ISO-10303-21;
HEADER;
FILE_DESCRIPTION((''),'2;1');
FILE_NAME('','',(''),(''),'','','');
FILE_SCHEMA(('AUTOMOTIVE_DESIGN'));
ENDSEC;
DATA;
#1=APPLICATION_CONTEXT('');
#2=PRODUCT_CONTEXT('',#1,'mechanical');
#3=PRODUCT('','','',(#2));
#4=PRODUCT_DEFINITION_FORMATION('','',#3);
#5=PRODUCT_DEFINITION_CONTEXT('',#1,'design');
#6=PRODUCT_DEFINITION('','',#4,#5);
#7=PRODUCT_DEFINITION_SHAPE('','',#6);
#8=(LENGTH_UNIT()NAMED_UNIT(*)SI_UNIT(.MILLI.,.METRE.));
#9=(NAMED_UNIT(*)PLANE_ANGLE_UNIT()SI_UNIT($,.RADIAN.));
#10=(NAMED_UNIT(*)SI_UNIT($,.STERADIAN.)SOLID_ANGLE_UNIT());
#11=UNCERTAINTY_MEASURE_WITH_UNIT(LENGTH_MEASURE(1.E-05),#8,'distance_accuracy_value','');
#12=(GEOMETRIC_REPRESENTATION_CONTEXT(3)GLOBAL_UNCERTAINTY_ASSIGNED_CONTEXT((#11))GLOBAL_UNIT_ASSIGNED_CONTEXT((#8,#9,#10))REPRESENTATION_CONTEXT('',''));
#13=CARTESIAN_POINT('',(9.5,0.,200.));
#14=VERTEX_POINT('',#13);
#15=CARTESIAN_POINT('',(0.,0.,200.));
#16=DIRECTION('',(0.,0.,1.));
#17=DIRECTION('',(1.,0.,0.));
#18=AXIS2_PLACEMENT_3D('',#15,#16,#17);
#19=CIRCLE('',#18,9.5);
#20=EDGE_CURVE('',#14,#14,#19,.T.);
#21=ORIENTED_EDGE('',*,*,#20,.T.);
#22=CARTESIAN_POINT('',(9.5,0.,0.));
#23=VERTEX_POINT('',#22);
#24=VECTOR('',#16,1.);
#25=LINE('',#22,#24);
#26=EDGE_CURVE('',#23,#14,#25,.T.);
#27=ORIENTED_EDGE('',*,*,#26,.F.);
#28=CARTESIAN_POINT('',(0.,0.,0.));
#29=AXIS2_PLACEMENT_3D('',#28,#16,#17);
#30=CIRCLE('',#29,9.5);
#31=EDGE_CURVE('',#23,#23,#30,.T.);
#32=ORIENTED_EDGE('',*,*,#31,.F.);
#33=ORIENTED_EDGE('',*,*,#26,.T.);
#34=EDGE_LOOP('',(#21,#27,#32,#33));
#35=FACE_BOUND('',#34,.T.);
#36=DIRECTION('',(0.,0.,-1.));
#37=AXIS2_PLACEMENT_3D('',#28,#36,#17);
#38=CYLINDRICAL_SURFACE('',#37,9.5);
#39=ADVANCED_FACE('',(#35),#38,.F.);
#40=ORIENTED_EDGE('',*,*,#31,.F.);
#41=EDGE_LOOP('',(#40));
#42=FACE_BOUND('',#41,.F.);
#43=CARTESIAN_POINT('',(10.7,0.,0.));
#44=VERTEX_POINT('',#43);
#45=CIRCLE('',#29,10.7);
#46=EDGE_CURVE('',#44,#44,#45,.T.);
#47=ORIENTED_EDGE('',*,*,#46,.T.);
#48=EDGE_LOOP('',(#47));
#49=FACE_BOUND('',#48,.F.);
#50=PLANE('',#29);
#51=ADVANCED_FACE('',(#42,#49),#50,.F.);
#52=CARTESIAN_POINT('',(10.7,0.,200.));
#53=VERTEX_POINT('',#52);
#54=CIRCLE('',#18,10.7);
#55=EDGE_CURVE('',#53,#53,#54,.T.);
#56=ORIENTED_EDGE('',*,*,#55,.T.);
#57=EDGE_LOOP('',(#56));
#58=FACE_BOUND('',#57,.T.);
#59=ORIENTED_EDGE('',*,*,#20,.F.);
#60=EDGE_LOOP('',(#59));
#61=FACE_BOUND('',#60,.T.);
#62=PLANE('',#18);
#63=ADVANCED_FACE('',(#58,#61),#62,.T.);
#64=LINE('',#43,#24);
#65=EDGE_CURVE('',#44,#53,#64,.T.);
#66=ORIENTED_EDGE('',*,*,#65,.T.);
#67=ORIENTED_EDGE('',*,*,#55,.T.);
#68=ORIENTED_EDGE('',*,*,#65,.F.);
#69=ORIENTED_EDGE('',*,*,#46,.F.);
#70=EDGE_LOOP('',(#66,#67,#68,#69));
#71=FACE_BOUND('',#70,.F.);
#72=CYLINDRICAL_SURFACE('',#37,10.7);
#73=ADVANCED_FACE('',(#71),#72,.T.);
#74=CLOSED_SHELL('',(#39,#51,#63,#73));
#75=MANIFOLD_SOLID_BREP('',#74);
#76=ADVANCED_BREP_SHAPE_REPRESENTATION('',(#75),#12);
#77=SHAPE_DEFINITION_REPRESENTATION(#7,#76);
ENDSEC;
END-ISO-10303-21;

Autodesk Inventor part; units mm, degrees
ref_plane "YZ Plane" through (0, 0, 0) normal (1, 0, 0) x (0, 1, 0)
ref_plane "XZ Plane" through (0, 0, 0) normal (0, 1, 0) x (-1, 0, 0)
ref_plane "XY Plane" through (0, 0, 0) normal (0, 0, 1) x (1, 0, 0)
sketch "Sketch15" plane through (0, 0, 0) normal (0, 0, 1) x (1, 0, 0)
  circle A0 centre (0, 0) radius 10.7
  circle A1 centre (0, 0) radius 9.5
  dimension "d74" = 21.4
  dimension "d75" = 19
extrude "Extrusion15" add sketch "Sketch15" along normal blind 200
properties part number "base"
